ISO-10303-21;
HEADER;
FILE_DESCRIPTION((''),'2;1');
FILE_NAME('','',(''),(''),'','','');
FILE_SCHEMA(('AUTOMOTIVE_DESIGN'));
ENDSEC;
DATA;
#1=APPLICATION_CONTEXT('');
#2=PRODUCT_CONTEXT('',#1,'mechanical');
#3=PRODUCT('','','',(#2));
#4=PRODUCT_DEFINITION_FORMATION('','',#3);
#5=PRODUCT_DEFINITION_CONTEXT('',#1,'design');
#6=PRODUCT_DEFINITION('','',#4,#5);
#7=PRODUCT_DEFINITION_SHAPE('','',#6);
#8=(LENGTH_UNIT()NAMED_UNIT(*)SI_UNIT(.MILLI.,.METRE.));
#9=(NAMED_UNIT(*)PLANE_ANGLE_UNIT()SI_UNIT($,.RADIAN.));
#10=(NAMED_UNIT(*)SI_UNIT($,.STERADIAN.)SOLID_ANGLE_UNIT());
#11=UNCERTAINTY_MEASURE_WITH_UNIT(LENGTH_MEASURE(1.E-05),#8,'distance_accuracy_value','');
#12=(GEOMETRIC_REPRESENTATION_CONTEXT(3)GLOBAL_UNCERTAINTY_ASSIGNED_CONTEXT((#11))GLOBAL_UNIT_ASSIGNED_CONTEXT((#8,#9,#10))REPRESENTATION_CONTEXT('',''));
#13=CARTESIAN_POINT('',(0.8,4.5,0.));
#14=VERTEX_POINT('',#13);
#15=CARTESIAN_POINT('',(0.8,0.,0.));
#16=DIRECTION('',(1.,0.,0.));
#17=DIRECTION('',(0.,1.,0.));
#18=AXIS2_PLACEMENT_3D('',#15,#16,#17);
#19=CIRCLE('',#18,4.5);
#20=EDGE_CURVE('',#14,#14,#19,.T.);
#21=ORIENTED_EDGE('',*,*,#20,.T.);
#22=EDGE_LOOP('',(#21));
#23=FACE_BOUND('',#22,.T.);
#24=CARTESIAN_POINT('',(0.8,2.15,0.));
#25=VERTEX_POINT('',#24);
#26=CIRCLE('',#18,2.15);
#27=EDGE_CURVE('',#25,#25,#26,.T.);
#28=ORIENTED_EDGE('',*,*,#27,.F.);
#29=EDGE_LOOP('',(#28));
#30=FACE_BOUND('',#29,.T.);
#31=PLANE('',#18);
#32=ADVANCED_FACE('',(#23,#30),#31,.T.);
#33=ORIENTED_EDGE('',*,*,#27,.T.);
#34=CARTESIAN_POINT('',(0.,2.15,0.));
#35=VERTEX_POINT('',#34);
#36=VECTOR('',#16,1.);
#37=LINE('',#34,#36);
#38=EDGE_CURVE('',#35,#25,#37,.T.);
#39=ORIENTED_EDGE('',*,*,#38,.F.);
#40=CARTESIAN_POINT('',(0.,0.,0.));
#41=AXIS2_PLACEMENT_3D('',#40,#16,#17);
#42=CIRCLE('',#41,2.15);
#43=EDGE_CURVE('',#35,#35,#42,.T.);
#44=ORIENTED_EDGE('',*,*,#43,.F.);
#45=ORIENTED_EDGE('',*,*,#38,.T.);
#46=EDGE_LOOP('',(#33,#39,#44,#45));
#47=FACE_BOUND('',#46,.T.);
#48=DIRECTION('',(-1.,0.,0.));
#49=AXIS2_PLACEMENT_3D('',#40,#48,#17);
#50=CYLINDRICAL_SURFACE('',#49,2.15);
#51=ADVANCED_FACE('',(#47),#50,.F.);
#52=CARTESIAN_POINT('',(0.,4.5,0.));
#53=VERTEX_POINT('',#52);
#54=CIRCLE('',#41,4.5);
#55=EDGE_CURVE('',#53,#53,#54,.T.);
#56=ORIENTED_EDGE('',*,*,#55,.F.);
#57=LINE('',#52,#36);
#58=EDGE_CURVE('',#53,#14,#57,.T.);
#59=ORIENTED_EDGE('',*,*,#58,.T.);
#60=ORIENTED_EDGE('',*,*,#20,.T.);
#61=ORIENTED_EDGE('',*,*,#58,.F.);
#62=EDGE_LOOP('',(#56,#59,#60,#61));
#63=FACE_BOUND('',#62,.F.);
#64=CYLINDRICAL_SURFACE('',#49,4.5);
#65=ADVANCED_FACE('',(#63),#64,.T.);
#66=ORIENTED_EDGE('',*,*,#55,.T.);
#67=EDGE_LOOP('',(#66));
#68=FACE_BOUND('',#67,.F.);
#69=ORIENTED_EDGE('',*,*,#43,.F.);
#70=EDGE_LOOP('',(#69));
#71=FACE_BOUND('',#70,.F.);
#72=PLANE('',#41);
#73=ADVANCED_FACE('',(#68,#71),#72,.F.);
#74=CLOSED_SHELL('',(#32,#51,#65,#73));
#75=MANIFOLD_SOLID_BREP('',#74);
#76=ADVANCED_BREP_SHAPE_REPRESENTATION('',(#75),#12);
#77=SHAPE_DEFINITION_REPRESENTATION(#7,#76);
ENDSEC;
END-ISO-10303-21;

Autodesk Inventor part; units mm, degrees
ref_plane "YZ Plane" through (0, 0, 0) normal (1, 0, 0) x (0, 1, 0)
ref_plane "XZ Plane" through (0, 0, 0) normal (0, 1, 0) x (-1, 0, 0)
sketch "Sketch" plane through (0, 0, 0) normal (1, 0, 0) x (0, 1, 0)
  circle A0 centre (0, 0) radius 4.5
  circle A1 centre (0, 0) radius 2.15
  dimension "d0" = 4.3
  dimension "d1" = 9
extrude "Body" add sketch "Sketch" along normal blind 0.8
ref_plane "Work Plane1" through (0, 0, 0) normal (0, 0, 1) x (1, 0, 0)
equation "\"d0\" = SD1"
equation "\"d1\" = SD2"
equation "\"d2\" = SD"
equation "\"SD1\" = 4.3"
equation "\"SD2\" = 9"
equation "\"SD\" = 0.8"
equation "\"NND\" = 4"
properties part number "DIN 125 - A 4,3" material "Steel, Mild"
